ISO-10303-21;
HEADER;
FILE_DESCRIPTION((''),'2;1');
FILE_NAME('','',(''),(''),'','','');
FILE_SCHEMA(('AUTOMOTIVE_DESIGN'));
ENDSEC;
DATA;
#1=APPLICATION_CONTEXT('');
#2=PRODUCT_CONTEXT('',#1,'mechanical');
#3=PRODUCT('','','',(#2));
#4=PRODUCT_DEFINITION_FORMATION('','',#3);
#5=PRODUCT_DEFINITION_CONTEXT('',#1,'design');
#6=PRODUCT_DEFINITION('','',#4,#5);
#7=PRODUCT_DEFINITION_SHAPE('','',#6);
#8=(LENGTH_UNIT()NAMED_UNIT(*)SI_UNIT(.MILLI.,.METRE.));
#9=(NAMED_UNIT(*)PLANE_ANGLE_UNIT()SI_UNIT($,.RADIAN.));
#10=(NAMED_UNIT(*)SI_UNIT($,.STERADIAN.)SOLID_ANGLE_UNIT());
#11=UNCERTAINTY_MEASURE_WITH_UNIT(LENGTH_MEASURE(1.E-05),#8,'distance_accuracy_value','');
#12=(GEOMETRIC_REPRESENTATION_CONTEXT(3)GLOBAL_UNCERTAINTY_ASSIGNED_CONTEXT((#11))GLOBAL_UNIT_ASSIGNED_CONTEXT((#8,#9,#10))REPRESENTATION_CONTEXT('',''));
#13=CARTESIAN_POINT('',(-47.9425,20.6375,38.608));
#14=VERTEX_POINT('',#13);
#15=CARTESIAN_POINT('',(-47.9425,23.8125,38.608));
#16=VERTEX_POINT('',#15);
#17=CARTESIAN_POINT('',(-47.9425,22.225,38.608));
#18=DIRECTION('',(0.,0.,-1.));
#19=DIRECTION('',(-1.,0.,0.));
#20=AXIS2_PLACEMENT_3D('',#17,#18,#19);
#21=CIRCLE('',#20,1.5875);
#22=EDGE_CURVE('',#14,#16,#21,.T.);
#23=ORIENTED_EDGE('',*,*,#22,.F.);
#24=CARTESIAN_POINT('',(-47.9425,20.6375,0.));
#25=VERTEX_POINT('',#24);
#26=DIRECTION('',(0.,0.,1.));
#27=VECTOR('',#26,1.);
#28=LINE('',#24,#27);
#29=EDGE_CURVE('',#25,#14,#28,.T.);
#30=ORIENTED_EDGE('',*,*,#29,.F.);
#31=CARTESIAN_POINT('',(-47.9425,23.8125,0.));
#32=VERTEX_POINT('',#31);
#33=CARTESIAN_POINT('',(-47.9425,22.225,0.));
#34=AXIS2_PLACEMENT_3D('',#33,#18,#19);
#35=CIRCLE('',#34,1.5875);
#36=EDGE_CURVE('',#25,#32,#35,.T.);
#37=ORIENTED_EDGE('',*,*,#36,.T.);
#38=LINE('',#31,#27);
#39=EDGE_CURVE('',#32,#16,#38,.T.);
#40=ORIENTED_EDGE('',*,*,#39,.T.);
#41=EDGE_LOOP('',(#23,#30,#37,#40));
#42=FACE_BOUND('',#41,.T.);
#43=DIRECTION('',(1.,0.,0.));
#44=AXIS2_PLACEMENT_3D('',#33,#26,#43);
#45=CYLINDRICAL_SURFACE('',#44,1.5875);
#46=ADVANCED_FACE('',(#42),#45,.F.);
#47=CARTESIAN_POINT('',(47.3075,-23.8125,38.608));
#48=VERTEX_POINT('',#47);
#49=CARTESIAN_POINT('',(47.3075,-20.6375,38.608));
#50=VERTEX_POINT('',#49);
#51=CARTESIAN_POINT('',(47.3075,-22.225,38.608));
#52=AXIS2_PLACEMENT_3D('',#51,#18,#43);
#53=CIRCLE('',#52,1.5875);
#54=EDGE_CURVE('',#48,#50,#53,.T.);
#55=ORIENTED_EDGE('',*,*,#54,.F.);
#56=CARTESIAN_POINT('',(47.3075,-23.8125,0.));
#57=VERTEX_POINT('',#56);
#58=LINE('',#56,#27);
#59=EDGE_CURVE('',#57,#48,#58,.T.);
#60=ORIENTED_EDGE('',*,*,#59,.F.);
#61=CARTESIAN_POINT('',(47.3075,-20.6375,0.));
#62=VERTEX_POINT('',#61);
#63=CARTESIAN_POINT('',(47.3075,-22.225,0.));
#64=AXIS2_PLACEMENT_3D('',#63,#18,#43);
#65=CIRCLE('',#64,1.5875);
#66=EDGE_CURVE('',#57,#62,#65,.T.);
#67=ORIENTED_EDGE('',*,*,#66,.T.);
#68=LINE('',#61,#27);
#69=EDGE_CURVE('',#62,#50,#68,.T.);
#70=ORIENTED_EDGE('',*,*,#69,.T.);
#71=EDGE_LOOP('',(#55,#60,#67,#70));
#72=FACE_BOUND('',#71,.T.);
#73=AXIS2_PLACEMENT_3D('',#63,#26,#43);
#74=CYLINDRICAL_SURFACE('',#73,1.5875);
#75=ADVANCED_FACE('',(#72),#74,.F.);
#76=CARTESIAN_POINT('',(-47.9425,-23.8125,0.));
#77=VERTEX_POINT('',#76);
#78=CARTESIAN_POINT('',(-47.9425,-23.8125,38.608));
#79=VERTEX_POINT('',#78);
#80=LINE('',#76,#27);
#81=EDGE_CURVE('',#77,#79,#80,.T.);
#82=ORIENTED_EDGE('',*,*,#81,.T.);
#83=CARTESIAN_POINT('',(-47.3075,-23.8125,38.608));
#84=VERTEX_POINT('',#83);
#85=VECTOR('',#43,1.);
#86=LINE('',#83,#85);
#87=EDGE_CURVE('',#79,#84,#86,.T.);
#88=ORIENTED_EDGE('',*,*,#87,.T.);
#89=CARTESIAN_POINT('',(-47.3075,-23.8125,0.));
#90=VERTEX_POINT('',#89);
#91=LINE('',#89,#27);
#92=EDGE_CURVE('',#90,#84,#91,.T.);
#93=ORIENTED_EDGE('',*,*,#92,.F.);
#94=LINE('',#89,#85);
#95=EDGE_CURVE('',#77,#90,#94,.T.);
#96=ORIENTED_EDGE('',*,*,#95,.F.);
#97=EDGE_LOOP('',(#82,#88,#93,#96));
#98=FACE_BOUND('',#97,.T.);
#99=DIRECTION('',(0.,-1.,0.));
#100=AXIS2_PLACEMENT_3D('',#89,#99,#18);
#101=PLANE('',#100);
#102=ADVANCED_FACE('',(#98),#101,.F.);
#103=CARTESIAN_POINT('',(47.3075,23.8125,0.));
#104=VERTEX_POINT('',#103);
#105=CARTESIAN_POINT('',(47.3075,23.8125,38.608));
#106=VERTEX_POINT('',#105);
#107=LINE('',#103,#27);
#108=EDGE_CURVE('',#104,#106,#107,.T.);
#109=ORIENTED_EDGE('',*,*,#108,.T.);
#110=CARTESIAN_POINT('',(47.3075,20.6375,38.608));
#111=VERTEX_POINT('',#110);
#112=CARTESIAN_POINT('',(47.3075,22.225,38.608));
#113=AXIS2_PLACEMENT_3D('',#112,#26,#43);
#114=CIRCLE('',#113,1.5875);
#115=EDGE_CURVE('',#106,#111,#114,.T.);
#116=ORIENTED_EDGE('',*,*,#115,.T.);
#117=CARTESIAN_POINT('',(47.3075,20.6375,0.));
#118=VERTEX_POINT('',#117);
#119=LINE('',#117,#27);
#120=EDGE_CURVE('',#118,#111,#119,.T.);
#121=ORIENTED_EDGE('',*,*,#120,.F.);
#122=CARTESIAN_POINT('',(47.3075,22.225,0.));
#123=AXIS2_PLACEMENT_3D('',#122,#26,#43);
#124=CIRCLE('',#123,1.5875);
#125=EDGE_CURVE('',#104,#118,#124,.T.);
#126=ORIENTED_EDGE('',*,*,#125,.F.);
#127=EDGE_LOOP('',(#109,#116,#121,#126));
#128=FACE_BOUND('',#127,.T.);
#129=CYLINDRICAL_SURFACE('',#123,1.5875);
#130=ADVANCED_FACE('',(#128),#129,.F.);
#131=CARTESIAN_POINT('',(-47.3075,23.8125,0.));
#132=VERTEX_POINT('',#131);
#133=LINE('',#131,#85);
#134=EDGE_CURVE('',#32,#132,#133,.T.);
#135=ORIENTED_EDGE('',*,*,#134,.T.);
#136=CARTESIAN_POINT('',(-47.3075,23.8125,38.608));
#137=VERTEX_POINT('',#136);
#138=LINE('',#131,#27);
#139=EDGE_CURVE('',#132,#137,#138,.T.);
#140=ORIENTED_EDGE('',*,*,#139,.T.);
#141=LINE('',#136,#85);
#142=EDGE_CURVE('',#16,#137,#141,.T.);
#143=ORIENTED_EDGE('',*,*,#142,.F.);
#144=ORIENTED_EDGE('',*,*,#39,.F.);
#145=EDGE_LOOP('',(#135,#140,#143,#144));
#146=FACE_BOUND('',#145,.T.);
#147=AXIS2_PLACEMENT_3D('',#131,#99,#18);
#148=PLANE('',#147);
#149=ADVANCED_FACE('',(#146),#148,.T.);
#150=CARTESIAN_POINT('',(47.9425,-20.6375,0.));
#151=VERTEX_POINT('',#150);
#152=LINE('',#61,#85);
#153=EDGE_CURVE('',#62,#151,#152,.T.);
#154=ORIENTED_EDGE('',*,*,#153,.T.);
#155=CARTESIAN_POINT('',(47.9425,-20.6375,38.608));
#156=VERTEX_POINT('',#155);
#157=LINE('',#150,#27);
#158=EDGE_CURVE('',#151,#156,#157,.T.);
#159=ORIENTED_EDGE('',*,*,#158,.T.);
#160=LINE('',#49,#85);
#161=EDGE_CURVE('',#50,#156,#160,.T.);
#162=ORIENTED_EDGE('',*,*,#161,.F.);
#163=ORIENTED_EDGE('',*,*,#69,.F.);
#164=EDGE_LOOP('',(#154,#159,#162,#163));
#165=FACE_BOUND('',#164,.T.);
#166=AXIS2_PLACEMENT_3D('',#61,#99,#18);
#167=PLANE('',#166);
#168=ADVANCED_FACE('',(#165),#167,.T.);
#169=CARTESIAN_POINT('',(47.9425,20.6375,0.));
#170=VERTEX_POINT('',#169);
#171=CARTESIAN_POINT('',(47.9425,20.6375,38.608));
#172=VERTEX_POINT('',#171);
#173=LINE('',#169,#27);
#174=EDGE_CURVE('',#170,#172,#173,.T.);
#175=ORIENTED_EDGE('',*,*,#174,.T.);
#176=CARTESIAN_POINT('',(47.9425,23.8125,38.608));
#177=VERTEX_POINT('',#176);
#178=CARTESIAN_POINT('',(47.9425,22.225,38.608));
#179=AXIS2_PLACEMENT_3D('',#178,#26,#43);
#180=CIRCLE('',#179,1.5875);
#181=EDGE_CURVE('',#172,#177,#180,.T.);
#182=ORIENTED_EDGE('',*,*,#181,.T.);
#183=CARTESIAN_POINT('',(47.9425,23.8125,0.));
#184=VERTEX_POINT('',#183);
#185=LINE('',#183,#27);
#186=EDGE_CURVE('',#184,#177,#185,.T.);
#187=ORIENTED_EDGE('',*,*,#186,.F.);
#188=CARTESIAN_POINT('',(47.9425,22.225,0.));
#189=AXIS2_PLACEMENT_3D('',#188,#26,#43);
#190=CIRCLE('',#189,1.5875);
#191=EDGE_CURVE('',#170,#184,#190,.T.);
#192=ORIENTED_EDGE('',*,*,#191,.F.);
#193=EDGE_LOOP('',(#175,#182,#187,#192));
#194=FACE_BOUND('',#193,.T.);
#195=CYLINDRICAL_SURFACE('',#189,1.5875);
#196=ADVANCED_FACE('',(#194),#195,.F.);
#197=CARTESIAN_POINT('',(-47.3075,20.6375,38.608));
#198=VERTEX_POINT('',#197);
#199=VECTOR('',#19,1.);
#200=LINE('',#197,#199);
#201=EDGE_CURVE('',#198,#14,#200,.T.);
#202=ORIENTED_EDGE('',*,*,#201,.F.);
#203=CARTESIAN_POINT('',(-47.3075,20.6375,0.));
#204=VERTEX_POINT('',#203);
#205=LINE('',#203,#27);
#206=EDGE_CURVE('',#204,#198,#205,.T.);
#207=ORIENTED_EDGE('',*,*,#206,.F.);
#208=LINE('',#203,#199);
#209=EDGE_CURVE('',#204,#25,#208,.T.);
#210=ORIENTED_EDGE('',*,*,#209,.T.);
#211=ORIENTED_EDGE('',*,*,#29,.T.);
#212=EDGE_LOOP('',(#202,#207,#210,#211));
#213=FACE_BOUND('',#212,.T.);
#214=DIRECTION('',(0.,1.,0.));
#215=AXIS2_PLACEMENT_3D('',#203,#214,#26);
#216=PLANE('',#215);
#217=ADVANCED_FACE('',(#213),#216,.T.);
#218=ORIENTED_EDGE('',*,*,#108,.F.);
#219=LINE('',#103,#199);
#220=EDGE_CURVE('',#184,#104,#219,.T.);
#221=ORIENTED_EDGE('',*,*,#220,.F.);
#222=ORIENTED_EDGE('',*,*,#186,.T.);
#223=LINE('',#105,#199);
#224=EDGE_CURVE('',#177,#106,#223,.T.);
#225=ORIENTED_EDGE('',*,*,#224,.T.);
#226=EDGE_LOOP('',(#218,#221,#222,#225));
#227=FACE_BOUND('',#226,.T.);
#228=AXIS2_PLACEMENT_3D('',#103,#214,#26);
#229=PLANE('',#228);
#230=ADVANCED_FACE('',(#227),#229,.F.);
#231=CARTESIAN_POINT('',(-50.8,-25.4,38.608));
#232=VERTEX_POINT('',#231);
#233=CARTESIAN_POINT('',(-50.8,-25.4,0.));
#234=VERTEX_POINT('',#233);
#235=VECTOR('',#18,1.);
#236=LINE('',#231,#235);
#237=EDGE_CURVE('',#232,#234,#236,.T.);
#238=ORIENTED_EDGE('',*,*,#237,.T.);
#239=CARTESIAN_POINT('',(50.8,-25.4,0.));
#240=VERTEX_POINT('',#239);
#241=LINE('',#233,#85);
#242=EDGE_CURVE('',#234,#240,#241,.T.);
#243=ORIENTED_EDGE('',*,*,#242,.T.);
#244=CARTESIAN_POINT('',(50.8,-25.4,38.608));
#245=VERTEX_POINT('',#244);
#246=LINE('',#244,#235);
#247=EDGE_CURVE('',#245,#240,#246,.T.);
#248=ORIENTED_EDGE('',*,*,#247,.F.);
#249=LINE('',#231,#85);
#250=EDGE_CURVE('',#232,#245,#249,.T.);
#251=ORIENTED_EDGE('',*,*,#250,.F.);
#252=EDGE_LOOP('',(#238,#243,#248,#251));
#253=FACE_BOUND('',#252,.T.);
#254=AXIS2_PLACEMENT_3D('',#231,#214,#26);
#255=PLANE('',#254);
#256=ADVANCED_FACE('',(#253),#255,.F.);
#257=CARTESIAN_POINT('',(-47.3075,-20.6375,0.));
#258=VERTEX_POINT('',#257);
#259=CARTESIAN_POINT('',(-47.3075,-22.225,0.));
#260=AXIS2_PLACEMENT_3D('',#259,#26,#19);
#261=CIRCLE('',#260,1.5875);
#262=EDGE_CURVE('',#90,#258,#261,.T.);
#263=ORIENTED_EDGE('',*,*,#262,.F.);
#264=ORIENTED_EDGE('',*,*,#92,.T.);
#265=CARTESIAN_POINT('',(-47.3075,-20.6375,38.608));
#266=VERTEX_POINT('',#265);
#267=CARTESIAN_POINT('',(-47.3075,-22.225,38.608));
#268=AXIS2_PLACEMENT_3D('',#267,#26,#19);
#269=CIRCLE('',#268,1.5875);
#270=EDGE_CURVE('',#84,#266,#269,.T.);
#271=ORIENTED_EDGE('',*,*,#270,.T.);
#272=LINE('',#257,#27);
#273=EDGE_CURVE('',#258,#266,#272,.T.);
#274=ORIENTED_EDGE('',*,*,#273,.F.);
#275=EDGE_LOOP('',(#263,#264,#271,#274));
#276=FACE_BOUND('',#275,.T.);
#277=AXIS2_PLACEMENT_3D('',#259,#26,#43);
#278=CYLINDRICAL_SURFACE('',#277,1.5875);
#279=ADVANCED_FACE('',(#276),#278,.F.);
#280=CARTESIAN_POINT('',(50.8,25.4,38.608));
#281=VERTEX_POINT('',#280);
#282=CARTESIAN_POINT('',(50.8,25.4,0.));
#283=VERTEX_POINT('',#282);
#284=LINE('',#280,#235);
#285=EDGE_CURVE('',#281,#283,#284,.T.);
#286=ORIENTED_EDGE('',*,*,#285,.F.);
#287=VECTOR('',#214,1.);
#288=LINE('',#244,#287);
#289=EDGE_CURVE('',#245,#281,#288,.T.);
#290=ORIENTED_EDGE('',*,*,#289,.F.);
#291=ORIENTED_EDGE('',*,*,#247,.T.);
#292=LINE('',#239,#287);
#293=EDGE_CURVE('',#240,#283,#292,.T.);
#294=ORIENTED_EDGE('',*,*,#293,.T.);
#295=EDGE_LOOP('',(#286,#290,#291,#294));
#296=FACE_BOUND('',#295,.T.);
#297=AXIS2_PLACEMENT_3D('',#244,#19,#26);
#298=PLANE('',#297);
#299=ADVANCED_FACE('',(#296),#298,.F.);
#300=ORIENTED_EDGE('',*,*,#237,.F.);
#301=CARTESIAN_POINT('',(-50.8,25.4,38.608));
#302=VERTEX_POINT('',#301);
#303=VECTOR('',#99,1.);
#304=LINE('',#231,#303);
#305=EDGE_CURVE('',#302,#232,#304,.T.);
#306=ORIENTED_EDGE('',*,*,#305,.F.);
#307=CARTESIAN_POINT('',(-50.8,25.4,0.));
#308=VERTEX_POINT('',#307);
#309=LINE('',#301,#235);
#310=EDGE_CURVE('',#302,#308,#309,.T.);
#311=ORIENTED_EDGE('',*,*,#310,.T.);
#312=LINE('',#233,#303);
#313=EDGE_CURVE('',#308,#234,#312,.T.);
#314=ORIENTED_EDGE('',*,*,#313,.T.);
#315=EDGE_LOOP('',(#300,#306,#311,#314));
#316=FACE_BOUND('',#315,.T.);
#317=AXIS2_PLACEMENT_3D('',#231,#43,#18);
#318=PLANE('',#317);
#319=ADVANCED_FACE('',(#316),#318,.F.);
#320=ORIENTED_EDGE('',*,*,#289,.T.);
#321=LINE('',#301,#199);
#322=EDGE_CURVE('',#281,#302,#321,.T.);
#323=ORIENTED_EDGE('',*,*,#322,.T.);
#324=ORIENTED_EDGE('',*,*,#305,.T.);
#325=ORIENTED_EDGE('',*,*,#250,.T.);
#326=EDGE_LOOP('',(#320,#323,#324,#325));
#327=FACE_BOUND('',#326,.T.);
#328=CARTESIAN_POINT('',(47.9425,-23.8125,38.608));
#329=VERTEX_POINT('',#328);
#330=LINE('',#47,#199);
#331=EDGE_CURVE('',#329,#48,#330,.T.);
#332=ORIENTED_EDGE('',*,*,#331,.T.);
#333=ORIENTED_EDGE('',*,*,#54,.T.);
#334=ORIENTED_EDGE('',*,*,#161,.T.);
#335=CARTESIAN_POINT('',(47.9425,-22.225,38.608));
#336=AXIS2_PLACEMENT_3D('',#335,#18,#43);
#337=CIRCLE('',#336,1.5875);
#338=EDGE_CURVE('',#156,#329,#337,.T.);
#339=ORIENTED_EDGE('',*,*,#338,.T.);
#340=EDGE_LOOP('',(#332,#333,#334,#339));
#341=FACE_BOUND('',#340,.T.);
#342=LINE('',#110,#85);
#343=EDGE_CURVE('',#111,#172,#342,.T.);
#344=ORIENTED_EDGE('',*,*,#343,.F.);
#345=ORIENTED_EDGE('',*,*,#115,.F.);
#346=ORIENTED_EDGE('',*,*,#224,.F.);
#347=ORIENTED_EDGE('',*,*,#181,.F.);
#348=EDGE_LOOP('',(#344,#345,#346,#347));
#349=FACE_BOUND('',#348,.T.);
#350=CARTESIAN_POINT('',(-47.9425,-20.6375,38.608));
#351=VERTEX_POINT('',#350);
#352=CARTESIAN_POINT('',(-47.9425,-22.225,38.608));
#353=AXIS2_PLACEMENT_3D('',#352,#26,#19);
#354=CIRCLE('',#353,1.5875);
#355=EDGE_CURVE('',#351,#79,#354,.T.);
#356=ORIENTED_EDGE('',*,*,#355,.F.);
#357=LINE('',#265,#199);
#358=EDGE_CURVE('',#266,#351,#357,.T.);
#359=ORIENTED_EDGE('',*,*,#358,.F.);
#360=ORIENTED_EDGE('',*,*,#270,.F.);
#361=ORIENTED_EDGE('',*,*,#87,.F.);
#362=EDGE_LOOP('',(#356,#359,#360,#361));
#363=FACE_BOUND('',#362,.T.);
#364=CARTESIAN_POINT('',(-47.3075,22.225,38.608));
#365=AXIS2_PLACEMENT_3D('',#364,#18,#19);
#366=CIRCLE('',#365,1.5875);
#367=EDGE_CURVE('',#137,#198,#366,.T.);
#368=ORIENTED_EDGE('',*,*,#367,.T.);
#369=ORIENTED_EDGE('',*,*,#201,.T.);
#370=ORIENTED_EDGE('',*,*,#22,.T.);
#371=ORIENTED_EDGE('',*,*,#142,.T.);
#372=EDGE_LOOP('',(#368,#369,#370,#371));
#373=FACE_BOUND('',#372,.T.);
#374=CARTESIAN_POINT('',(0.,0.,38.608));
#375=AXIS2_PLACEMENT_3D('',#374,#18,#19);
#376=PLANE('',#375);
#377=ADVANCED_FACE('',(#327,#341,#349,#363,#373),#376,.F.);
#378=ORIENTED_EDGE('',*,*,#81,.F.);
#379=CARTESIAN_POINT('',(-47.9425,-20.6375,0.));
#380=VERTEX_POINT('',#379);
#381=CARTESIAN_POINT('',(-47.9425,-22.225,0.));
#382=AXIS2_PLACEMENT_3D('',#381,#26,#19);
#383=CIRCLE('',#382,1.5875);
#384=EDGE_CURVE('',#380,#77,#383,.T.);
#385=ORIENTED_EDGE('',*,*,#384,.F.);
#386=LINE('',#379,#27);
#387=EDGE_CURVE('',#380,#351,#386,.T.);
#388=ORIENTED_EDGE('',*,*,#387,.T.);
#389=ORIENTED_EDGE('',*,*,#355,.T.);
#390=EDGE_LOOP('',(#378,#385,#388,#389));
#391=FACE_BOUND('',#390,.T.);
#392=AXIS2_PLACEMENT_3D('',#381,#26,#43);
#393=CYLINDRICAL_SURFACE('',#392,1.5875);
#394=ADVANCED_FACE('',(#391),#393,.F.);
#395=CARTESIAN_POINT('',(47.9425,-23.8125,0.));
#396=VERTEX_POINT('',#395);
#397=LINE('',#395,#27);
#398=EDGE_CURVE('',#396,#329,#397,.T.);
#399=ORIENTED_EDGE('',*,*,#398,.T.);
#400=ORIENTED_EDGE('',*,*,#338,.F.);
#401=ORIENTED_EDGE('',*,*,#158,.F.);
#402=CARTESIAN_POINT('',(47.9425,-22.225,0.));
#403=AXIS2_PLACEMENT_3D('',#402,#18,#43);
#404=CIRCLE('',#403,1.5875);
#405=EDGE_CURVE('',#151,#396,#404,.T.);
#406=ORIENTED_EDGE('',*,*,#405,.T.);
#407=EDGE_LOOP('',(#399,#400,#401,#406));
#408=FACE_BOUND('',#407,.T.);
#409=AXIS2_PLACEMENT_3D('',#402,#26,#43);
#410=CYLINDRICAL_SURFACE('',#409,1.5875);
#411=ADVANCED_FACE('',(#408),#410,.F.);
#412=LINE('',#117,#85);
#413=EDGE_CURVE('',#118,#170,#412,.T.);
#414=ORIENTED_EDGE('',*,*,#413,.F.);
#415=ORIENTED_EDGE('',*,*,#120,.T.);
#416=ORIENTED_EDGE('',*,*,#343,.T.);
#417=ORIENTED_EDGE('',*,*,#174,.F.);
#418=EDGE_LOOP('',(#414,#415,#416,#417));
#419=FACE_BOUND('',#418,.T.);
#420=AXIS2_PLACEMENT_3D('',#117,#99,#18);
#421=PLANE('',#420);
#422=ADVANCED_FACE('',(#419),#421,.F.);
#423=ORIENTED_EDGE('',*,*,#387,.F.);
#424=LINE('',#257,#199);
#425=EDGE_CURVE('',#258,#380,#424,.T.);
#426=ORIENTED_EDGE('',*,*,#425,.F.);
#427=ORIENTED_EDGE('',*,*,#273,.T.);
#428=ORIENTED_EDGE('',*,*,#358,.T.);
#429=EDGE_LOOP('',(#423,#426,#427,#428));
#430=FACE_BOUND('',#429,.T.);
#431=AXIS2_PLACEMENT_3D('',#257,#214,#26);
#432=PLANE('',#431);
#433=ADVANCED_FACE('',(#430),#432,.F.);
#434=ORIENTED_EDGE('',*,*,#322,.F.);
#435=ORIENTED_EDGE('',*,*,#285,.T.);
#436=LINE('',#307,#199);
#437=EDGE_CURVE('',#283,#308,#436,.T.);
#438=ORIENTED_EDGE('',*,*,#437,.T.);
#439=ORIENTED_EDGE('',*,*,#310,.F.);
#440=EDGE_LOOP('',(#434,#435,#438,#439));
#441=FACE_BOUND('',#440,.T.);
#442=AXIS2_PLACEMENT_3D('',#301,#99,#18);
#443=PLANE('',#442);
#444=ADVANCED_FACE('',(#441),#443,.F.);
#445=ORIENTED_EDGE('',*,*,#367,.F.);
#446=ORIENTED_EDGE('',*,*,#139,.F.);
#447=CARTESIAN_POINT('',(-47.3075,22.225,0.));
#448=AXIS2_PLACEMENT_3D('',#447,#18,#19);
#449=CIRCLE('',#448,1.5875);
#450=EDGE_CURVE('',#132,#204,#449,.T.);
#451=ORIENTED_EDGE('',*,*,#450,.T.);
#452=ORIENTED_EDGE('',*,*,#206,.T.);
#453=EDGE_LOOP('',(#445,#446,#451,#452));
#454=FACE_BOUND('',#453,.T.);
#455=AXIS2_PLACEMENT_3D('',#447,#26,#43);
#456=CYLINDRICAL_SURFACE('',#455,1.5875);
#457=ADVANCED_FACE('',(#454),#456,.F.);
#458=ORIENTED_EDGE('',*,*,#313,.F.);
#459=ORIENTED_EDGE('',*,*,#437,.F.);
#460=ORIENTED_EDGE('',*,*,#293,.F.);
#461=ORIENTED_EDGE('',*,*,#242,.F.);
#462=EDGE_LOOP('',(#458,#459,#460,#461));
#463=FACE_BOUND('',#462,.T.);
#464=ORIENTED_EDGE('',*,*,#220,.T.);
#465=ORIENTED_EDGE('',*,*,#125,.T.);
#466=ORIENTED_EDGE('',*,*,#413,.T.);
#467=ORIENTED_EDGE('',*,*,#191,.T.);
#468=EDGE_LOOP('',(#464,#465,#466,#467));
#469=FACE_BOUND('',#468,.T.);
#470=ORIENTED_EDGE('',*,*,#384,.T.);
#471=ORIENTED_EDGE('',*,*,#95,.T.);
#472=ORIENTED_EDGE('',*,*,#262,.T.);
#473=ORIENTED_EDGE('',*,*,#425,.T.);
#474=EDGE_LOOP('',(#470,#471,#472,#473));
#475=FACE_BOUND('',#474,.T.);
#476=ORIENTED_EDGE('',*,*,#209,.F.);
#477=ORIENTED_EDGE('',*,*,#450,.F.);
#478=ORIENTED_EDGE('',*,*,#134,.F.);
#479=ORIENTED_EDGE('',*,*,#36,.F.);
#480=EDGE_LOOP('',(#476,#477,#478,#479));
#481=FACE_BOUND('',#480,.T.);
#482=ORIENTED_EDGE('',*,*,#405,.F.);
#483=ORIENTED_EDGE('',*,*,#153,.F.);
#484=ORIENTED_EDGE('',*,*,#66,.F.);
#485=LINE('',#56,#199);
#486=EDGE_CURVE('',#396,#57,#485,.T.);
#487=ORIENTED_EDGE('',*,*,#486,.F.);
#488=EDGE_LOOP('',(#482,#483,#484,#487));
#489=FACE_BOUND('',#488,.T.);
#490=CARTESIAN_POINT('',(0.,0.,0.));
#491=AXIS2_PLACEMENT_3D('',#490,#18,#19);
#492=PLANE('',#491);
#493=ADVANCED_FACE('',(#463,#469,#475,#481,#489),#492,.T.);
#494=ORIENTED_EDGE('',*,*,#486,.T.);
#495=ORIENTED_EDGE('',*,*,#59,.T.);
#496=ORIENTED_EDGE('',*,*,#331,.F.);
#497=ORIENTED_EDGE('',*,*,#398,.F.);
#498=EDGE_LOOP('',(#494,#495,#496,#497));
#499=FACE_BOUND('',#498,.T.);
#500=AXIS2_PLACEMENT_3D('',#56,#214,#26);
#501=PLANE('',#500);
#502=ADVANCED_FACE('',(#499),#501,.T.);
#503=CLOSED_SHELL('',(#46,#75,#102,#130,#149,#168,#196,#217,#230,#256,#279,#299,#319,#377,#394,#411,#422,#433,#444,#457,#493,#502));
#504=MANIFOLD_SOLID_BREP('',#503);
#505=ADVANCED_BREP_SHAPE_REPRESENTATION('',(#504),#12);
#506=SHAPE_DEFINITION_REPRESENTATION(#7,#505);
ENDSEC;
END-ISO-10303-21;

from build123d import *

# Parameters (mm, degrees)
SKETCH1_W            = 101.6
SKETCH1_H            = 50.8
BOSS_EXTRUDE1_DEPTH  = 38.608
CUT_EXTRUDE1_DEPTH   = 69.67588852
MIRROR2_COPY_1_DEPTH = 69.67588852


with BuildPart() as part:
    # Sketch1 → Boss-Extrude1 (new body)
    with BuildSketch(Plane.XY):
        Rectangle(SKETCH1_W, SKETCH1_H)
    extrude(amount=BOSS_EXTRUDE1_DEPTH)

    # Sketch4 → Cut-Extrude1 (cut, through all)
    with BuildSketch(Plane.XY.offset(38.608)):
        with BuildLine():
            Line((47.3075, 23.8125), (47.9425, 23.8125))
            ThreePointArc((47.9425, 23.8125), (49.53, 22.225), (47.9425, 20.6375))
            Line((47.9425, 20.6375), (47.3075, 20.6375))
            ThreePointArc((47.3075, 20.6375), (45.72, 22.225), (47.3075, 23.8125))
        make_face()
    cut_extrude1 = extrude(amount=-CUT_EXTRUDE1_DEPTH, mode=Mode.SUBTRACT)

    # Mirror1: Cut-Extrude1 across plane
    add(cut_extrude1.mirror(Plane.ZX), mode=Mode.SUBTRACT)

    # Mirror2: Cut-Extrude1 across plane
    add(cut_extrude1.mirror(Plane(origin=(0, 0, 0), x_dir=(0, 0, 1), z_dir=(1, 0, 0))), mode=Mode.SUBTRACT)

    # Mirror2 copy 1 sketch → Mirror2 copy 1 (cut, through all)
    with BuildSketch(Plane(origin=(0, 0, 38.608), x_dir=(-1, 0, 0), z_dir=(0, 0, 1))):
        with BuildLine():
            Line((47.3075, 23.8125), (47.9425, 23.8125))
            ThreePointArc((47.9425, 23.8125), (49.53, 22.225), (47.9425, 20.6375))
            Line((47.9425, 20.6375), (47.3075, 20.6375))
            ThreePointArc((47.3075, 20.6375), (45.72, 22.225), (47.3075, 23.8125))
        make_face()
    extrude(amount=-MIRROR2_COPY_1_DEPTH, mode=Mode.SUBTRACT)


solid = part.part
